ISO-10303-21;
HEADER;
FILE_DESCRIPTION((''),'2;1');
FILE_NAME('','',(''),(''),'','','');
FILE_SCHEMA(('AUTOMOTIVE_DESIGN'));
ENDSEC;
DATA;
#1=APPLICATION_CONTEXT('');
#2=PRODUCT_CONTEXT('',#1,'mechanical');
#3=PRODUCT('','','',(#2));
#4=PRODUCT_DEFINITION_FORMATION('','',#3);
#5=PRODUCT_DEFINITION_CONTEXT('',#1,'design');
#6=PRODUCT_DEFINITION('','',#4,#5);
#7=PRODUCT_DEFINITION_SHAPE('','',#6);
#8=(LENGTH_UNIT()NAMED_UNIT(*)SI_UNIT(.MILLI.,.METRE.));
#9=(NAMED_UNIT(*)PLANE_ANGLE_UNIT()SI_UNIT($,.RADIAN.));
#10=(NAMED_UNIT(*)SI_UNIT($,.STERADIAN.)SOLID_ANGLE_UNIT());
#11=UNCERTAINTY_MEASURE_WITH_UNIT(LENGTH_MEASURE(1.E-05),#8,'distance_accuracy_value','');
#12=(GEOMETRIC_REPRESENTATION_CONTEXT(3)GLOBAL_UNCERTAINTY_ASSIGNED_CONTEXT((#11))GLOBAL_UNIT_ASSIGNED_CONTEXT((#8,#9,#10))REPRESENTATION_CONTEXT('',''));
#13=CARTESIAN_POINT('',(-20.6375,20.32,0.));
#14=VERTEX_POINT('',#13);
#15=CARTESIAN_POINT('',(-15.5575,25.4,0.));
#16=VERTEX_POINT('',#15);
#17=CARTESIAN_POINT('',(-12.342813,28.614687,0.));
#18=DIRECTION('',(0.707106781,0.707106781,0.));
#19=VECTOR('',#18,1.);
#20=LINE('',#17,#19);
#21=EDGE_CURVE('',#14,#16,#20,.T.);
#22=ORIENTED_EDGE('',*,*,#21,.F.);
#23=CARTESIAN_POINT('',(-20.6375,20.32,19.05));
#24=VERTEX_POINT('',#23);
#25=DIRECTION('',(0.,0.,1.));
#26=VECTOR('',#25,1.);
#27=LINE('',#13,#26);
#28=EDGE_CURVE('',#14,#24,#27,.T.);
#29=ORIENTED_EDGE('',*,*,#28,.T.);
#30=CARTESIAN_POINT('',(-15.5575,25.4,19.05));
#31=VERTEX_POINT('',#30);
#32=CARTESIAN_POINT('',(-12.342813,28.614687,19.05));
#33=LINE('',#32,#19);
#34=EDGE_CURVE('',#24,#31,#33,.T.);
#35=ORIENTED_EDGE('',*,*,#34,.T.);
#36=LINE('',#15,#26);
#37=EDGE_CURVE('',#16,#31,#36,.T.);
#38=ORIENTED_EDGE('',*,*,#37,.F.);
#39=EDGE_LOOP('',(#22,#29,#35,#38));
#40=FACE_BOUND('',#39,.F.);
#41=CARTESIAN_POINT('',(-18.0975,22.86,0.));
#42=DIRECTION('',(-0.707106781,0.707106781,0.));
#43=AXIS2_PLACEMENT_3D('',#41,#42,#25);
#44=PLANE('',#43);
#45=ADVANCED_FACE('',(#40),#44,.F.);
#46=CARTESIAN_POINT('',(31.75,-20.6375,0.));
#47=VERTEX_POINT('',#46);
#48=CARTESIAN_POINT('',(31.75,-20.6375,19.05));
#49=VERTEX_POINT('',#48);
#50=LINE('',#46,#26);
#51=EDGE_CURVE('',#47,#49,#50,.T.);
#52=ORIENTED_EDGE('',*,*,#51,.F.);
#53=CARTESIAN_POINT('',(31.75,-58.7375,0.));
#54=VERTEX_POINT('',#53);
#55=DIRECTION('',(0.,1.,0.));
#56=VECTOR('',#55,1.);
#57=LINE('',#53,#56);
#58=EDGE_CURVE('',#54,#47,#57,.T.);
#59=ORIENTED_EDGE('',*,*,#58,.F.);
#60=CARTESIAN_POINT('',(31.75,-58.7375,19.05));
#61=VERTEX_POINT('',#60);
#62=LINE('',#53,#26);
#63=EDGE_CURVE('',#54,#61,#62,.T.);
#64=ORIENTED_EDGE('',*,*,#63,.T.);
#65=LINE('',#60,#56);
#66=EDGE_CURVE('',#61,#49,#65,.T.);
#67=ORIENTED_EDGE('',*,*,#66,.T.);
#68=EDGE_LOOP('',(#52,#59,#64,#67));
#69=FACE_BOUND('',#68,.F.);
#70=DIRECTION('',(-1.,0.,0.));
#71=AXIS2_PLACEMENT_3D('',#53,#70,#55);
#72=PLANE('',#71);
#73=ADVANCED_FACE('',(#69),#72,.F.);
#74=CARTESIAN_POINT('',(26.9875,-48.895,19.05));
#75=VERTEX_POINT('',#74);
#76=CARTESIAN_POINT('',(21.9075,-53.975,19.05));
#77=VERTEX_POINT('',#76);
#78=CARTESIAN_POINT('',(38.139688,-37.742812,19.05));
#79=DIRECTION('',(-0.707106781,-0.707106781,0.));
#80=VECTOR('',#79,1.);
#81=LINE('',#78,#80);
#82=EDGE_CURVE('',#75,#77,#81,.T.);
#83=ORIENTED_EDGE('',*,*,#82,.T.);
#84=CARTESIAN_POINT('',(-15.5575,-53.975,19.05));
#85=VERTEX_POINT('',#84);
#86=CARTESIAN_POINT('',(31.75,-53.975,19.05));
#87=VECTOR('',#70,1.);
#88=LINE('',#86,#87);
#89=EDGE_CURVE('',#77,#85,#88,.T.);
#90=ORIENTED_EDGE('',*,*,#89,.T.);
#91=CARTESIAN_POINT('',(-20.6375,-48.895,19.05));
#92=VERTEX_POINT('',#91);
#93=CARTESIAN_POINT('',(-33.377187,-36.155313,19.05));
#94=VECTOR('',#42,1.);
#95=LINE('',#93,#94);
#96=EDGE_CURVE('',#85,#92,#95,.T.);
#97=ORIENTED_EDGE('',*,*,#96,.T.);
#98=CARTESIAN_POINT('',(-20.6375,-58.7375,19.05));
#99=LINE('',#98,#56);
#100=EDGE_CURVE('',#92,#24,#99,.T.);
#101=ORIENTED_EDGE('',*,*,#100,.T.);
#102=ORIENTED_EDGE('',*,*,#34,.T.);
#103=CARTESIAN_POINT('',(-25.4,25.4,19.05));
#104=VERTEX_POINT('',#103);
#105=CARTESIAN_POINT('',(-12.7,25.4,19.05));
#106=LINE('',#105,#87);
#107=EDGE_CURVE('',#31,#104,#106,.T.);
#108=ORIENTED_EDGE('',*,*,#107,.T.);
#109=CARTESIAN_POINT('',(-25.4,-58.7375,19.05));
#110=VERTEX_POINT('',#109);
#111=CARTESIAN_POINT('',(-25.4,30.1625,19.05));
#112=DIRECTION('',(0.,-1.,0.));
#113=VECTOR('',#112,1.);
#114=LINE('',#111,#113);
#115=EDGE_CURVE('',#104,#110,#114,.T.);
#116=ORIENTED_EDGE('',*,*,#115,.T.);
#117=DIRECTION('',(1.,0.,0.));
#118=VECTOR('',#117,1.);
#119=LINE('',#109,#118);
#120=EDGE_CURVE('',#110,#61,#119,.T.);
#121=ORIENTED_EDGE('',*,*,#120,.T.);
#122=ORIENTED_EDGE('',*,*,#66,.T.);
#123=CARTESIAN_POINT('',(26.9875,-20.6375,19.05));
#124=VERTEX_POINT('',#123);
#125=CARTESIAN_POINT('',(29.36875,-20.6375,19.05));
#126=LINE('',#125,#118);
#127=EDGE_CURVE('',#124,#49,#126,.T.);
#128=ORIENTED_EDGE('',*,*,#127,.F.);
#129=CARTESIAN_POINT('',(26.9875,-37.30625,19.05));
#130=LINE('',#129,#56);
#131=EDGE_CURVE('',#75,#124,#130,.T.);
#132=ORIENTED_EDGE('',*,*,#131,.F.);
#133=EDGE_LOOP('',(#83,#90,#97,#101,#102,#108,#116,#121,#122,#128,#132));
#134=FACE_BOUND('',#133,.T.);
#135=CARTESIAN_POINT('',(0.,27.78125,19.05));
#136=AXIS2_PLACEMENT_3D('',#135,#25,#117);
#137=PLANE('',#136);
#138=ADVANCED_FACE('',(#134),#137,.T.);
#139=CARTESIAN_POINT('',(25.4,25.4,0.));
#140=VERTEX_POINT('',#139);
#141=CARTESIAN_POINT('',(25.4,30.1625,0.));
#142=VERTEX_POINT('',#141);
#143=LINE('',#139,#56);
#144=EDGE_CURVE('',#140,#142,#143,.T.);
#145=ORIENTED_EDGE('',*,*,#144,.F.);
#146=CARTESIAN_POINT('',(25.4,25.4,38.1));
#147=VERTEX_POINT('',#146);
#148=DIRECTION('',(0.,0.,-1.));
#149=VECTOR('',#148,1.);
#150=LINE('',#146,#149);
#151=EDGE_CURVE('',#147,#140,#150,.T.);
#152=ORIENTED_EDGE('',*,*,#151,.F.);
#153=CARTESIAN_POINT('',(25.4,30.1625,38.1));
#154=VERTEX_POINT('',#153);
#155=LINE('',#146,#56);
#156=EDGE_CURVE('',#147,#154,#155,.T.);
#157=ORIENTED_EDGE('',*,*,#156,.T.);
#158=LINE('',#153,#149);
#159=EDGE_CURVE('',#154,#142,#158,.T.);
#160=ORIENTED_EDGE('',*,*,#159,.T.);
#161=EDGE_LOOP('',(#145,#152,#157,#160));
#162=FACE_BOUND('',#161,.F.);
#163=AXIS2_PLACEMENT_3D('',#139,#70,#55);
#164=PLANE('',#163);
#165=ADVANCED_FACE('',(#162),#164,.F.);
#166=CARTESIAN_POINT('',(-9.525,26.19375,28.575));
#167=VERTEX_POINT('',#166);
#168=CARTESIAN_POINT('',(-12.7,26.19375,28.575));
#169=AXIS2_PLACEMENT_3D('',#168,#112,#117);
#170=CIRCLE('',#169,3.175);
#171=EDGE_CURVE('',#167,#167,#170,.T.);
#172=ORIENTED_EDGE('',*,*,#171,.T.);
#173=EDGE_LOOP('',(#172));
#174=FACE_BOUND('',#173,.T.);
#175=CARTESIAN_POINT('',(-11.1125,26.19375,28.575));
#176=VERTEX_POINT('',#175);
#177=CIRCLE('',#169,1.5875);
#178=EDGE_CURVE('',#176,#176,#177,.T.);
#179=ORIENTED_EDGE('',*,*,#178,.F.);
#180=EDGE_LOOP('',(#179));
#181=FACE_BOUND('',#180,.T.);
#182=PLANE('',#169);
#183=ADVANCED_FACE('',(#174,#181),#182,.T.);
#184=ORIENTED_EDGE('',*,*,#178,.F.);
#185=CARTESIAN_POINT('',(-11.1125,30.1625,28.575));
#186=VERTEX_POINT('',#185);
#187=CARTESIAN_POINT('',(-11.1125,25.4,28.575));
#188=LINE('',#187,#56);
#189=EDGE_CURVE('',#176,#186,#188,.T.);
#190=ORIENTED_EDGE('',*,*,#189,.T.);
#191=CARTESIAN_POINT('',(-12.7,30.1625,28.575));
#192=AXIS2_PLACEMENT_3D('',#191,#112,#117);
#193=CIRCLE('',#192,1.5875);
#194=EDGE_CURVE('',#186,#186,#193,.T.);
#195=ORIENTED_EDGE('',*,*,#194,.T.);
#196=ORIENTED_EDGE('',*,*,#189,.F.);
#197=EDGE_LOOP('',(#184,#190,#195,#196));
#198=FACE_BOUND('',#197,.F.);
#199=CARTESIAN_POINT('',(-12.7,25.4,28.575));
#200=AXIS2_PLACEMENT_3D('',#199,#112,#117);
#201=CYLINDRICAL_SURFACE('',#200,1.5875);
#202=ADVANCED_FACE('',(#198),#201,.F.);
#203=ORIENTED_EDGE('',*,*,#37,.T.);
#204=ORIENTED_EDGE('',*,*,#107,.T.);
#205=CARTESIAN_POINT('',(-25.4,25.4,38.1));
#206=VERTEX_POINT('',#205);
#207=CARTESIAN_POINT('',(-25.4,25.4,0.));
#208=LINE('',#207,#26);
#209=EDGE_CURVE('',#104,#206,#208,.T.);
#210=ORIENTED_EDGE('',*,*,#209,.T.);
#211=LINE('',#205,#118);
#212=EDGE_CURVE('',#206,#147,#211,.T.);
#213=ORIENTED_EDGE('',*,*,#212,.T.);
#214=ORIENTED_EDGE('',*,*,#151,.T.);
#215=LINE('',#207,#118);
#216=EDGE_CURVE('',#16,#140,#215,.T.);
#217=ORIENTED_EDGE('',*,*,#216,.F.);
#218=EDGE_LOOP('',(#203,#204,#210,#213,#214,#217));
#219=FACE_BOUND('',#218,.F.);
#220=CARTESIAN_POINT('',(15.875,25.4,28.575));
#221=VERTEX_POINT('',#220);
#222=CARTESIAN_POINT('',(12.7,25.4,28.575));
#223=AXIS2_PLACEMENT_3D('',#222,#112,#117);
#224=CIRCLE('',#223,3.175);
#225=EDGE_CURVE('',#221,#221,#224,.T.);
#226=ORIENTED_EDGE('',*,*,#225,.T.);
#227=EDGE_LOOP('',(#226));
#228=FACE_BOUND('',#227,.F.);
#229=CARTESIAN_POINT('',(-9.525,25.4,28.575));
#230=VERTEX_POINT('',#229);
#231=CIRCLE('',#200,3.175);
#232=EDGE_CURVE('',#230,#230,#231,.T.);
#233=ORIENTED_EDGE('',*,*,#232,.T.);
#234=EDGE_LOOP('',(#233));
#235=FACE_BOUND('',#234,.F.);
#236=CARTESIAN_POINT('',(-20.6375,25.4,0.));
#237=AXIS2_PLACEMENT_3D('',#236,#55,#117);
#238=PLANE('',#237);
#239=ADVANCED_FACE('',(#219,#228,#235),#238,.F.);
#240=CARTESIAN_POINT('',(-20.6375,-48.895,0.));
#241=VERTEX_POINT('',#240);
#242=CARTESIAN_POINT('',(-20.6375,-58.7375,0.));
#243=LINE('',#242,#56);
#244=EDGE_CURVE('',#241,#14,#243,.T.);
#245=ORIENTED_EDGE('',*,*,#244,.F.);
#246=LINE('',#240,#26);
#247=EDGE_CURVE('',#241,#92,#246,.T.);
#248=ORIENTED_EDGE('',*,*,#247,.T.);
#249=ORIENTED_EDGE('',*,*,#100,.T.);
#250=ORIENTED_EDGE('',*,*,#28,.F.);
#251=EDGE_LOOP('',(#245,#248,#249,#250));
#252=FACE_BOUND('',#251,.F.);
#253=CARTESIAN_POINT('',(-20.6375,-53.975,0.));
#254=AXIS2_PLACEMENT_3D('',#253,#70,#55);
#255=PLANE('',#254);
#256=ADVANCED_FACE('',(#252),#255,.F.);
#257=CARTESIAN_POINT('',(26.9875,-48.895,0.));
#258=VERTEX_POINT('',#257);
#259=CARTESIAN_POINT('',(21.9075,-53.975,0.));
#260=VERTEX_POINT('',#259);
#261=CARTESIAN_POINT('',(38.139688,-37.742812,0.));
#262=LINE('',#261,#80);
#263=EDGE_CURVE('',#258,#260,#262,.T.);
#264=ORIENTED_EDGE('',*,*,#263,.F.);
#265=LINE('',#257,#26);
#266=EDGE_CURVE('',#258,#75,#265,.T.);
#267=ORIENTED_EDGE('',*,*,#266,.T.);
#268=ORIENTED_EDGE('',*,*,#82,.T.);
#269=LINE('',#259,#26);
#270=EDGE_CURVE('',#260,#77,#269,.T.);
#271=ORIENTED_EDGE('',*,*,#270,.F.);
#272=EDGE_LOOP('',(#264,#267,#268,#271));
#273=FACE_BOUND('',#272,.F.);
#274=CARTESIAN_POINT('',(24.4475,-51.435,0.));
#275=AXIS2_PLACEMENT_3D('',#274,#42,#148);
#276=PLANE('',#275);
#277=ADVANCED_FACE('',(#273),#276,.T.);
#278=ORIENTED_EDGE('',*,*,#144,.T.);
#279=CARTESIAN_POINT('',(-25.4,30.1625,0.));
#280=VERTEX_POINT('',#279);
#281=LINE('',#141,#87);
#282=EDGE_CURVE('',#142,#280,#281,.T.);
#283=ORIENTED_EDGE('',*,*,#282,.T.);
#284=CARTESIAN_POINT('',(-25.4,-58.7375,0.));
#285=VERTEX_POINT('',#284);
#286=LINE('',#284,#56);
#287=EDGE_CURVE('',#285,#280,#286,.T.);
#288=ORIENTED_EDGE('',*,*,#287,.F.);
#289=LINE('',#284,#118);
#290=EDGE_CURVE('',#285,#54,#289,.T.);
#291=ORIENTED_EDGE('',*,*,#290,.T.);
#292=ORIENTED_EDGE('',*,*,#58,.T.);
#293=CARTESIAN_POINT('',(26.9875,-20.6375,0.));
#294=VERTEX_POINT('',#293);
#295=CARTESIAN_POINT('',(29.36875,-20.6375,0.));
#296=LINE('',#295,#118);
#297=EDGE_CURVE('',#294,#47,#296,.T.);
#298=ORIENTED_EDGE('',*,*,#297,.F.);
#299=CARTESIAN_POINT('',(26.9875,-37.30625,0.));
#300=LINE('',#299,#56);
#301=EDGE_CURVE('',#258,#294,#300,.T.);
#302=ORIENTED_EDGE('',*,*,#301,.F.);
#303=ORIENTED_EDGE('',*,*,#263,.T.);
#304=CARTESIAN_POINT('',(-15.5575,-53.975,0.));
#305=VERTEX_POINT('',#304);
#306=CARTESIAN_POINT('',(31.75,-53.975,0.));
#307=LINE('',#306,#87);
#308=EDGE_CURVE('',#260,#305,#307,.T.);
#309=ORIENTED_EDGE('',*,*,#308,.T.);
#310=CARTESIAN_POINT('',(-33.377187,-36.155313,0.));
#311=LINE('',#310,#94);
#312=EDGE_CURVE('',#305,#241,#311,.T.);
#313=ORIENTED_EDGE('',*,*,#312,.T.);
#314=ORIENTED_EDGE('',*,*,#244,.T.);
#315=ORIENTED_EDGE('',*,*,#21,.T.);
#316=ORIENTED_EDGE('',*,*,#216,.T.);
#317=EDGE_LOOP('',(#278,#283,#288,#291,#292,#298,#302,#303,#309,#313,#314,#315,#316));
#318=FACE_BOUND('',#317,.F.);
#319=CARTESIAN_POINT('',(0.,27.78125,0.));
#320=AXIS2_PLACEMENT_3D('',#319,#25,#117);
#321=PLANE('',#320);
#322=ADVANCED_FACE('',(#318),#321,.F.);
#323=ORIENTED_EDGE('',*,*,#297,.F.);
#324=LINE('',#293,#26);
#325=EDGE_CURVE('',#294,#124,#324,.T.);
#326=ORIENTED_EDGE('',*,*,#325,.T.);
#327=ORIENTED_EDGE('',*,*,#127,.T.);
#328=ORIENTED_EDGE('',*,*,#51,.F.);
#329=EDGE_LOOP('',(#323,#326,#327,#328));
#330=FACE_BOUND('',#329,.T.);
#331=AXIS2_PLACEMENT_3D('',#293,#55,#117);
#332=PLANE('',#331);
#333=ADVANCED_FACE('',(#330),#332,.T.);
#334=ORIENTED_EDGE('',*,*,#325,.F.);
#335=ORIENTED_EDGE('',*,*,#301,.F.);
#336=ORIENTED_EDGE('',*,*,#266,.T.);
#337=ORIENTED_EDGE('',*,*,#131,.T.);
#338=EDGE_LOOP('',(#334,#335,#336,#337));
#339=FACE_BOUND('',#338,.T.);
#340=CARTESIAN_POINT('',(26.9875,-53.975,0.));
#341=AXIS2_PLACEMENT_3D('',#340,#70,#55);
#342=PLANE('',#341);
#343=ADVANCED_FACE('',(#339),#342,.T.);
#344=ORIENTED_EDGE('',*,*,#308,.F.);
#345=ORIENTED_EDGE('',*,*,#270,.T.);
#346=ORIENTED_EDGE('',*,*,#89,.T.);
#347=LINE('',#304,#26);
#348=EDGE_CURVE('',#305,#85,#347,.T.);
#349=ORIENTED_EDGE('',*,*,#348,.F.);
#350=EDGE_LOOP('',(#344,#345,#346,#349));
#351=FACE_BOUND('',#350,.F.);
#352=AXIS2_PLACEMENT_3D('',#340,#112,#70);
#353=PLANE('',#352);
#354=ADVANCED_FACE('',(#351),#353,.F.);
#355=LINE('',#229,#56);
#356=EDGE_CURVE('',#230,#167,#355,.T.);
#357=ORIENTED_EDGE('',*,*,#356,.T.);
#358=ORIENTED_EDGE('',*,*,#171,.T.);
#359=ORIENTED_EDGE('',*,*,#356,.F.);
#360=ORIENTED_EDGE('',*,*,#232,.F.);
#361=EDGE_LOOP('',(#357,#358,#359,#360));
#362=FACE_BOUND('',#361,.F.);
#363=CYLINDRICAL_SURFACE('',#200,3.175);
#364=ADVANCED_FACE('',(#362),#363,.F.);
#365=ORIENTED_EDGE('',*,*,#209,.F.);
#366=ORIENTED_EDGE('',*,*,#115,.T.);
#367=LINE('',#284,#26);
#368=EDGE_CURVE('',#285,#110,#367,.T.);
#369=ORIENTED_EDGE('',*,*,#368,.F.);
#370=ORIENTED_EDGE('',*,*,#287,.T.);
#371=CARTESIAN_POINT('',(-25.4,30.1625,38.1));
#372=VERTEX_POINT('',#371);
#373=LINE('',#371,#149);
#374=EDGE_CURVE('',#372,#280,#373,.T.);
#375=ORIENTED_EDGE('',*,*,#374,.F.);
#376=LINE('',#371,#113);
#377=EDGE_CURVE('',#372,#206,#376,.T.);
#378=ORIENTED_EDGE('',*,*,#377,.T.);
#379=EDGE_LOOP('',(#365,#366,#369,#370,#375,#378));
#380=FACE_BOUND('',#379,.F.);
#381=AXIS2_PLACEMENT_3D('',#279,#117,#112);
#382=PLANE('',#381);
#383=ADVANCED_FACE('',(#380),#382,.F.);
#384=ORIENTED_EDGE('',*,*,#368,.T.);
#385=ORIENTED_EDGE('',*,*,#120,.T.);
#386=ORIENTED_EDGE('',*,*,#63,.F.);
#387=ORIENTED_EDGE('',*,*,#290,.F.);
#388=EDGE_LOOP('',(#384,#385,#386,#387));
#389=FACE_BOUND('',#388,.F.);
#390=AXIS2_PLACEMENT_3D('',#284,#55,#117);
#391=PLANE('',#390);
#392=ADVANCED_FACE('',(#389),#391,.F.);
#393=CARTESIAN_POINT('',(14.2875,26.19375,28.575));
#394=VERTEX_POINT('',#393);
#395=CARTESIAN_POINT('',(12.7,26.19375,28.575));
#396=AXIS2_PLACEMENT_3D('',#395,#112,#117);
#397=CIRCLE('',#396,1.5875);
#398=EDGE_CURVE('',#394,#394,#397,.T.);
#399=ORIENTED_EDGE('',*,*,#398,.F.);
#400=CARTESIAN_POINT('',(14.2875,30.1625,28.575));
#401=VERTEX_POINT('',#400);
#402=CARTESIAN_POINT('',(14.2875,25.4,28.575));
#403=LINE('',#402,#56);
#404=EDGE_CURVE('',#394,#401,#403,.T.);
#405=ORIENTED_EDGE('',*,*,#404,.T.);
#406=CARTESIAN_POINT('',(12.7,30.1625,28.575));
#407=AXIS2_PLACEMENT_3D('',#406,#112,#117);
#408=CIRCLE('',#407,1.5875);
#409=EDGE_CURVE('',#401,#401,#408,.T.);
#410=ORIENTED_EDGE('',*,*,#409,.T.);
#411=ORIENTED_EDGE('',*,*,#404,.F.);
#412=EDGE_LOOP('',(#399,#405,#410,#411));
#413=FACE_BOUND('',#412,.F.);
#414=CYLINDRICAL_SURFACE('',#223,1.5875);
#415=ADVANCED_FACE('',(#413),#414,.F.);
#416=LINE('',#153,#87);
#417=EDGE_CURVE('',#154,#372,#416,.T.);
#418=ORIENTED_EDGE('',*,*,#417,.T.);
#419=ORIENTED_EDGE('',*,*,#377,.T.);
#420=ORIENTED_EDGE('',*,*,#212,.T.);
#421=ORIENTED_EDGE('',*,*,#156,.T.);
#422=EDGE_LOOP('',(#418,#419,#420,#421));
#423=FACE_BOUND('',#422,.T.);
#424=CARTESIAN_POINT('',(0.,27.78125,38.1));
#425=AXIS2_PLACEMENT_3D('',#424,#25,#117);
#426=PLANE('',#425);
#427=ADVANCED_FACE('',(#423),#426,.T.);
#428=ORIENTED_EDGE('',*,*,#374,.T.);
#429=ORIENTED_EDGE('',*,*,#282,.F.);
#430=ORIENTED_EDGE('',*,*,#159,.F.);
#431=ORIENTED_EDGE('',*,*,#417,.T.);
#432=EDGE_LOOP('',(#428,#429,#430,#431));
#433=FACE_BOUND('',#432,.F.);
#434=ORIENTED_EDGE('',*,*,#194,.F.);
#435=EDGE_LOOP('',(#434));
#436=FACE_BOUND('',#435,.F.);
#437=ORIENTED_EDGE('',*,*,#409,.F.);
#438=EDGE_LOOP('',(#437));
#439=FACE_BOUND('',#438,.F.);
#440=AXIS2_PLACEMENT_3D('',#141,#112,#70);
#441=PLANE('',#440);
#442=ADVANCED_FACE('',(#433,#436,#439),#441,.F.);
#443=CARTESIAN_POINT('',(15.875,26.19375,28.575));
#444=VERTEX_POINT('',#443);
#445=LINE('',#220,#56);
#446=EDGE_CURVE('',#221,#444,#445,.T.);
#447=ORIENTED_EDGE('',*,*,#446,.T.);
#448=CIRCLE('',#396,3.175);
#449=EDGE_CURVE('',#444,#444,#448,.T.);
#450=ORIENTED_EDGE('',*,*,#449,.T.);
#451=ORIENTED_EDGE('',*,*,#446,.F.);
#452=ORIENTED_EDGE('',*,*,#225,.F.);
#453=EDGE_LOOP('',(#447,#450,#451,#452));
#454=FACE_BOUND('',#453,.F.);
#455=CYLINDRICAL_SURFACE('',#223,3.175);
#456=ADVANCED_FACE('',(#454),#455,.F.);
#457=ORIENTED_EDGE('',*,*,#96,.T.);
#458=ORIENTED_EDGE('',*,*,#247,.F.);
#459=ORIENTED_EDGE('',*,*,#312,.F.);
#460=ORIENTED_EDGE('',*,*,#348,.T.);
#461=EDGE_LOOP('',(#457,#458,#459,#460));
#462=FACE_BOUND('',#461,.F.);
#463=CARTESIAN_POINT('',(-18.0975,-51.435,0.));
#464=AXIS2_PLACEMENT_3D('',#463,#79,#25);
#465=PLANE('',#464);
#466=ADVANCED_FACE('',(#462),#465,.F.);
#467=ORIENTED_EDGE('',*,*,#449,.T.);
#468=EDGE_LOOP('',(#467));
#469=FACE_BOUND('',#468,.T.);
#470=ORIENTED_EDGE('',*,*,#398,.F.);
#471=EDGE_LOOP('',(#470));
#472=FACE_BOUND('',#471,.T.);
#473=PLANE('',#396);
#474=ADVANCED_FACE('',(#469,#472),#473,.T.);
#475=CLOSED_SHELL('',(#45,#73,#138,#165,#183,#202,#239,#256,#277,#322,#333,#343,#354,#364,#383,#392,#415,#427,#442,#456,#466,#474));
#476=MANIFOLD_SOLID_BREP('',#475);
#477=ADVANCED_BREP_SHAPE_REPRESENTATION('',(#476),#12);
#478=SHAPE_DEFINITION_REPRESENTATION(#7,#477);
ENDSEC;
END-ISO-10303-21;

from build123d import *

# Parameters (mm, degrees)
F0_W     = 4.7625
F0_H     = 33.3375
F1_DEPTH = 19.05
F2_SIZE  = 5.08
F3_DEPTH = 38.1
F4_R     = 3.175
F4_R_2   = 1.5875
F5_DEPTH = 0.79375
F6_DEPTH = 4.7625


with BuildPart() as f1:
    # F0 (on Top) → F1 (new body)
    with BuildSketch(Plane.XY):
        Polygon((-25.4, 30.1625), (-25.4, 25.4), (-20.6375, 25.4), (25.4, 25.4), (25.4, 30.1625), align=None)
        Polygon((-20.6375, 25.4), (-25.4, 25.4), (-25.4, -58.7375), (-20.6375, -58.7375), (-20.6375, -53.975), align=None)
        Polygon((26.9875, -53.975), (-20.6375, -53.975), (-20.6375, -58.7375), (31.75, -58.7375), (31.75, -53.975), align=None)
        with Locations((29.36875, -37.30625)):
            Rectangle(F0_W, F0_H)
    extrude(amount=F1_DEPTH)

    # F2
    f2_edges = [f1.edges().sort_by_distance(p)[0] for p in [
        (-20.6375, -53.975, 9.525),
        (-20.6375, 25.4, 9.525),
        (26.9875, -53.975, 9.525),
    ]]
    chamfer(f2_edges, length=F2_SIZE)

    # F0 (on Top) → F3 (join)
    with BuildSketch(Plane.XY):
        Polygon((-25.4, 30.1625), (-25.4, 25.4), (-20.6375, 25.4), (25.4, 25.4), (25.4, 30.1625), align=None)
    extrude(amount=F3_DEPTH)

    # F4 (on face) → F5 (cut)
    with BuildSketch(Plane.XZ.offset(-25.4)):
        with Locations((-12.7, 28.575)):
            Circle(F4_R)
        with Locations((-12.7, 28.575)):
            Circle(F4_R_2, mode=Mode.SUBTRACT)
        with Locations((12.7, 28.575)):
            Circle(F4_R)
        with Locations((12.7, 28.575)):
            Circle(F4_R_2, mode=Mode.SUBTRACT)
    extrude(amount=-F5_DEPTH, mode=Mode.SUBTRACT)

    # F6 (cut, through all): faces of the model
    f6_faces = [f1.faces().sort_by_distance(p)[0] for p in [
        (-12.7, 25.4, 28.575),
        (12.7, 25.4, 28.575),
    ]]
    extrude(f6_faces, amount=-F6_DEPTH, mode=Mode.SUBTRACT)


solid = f1.part
